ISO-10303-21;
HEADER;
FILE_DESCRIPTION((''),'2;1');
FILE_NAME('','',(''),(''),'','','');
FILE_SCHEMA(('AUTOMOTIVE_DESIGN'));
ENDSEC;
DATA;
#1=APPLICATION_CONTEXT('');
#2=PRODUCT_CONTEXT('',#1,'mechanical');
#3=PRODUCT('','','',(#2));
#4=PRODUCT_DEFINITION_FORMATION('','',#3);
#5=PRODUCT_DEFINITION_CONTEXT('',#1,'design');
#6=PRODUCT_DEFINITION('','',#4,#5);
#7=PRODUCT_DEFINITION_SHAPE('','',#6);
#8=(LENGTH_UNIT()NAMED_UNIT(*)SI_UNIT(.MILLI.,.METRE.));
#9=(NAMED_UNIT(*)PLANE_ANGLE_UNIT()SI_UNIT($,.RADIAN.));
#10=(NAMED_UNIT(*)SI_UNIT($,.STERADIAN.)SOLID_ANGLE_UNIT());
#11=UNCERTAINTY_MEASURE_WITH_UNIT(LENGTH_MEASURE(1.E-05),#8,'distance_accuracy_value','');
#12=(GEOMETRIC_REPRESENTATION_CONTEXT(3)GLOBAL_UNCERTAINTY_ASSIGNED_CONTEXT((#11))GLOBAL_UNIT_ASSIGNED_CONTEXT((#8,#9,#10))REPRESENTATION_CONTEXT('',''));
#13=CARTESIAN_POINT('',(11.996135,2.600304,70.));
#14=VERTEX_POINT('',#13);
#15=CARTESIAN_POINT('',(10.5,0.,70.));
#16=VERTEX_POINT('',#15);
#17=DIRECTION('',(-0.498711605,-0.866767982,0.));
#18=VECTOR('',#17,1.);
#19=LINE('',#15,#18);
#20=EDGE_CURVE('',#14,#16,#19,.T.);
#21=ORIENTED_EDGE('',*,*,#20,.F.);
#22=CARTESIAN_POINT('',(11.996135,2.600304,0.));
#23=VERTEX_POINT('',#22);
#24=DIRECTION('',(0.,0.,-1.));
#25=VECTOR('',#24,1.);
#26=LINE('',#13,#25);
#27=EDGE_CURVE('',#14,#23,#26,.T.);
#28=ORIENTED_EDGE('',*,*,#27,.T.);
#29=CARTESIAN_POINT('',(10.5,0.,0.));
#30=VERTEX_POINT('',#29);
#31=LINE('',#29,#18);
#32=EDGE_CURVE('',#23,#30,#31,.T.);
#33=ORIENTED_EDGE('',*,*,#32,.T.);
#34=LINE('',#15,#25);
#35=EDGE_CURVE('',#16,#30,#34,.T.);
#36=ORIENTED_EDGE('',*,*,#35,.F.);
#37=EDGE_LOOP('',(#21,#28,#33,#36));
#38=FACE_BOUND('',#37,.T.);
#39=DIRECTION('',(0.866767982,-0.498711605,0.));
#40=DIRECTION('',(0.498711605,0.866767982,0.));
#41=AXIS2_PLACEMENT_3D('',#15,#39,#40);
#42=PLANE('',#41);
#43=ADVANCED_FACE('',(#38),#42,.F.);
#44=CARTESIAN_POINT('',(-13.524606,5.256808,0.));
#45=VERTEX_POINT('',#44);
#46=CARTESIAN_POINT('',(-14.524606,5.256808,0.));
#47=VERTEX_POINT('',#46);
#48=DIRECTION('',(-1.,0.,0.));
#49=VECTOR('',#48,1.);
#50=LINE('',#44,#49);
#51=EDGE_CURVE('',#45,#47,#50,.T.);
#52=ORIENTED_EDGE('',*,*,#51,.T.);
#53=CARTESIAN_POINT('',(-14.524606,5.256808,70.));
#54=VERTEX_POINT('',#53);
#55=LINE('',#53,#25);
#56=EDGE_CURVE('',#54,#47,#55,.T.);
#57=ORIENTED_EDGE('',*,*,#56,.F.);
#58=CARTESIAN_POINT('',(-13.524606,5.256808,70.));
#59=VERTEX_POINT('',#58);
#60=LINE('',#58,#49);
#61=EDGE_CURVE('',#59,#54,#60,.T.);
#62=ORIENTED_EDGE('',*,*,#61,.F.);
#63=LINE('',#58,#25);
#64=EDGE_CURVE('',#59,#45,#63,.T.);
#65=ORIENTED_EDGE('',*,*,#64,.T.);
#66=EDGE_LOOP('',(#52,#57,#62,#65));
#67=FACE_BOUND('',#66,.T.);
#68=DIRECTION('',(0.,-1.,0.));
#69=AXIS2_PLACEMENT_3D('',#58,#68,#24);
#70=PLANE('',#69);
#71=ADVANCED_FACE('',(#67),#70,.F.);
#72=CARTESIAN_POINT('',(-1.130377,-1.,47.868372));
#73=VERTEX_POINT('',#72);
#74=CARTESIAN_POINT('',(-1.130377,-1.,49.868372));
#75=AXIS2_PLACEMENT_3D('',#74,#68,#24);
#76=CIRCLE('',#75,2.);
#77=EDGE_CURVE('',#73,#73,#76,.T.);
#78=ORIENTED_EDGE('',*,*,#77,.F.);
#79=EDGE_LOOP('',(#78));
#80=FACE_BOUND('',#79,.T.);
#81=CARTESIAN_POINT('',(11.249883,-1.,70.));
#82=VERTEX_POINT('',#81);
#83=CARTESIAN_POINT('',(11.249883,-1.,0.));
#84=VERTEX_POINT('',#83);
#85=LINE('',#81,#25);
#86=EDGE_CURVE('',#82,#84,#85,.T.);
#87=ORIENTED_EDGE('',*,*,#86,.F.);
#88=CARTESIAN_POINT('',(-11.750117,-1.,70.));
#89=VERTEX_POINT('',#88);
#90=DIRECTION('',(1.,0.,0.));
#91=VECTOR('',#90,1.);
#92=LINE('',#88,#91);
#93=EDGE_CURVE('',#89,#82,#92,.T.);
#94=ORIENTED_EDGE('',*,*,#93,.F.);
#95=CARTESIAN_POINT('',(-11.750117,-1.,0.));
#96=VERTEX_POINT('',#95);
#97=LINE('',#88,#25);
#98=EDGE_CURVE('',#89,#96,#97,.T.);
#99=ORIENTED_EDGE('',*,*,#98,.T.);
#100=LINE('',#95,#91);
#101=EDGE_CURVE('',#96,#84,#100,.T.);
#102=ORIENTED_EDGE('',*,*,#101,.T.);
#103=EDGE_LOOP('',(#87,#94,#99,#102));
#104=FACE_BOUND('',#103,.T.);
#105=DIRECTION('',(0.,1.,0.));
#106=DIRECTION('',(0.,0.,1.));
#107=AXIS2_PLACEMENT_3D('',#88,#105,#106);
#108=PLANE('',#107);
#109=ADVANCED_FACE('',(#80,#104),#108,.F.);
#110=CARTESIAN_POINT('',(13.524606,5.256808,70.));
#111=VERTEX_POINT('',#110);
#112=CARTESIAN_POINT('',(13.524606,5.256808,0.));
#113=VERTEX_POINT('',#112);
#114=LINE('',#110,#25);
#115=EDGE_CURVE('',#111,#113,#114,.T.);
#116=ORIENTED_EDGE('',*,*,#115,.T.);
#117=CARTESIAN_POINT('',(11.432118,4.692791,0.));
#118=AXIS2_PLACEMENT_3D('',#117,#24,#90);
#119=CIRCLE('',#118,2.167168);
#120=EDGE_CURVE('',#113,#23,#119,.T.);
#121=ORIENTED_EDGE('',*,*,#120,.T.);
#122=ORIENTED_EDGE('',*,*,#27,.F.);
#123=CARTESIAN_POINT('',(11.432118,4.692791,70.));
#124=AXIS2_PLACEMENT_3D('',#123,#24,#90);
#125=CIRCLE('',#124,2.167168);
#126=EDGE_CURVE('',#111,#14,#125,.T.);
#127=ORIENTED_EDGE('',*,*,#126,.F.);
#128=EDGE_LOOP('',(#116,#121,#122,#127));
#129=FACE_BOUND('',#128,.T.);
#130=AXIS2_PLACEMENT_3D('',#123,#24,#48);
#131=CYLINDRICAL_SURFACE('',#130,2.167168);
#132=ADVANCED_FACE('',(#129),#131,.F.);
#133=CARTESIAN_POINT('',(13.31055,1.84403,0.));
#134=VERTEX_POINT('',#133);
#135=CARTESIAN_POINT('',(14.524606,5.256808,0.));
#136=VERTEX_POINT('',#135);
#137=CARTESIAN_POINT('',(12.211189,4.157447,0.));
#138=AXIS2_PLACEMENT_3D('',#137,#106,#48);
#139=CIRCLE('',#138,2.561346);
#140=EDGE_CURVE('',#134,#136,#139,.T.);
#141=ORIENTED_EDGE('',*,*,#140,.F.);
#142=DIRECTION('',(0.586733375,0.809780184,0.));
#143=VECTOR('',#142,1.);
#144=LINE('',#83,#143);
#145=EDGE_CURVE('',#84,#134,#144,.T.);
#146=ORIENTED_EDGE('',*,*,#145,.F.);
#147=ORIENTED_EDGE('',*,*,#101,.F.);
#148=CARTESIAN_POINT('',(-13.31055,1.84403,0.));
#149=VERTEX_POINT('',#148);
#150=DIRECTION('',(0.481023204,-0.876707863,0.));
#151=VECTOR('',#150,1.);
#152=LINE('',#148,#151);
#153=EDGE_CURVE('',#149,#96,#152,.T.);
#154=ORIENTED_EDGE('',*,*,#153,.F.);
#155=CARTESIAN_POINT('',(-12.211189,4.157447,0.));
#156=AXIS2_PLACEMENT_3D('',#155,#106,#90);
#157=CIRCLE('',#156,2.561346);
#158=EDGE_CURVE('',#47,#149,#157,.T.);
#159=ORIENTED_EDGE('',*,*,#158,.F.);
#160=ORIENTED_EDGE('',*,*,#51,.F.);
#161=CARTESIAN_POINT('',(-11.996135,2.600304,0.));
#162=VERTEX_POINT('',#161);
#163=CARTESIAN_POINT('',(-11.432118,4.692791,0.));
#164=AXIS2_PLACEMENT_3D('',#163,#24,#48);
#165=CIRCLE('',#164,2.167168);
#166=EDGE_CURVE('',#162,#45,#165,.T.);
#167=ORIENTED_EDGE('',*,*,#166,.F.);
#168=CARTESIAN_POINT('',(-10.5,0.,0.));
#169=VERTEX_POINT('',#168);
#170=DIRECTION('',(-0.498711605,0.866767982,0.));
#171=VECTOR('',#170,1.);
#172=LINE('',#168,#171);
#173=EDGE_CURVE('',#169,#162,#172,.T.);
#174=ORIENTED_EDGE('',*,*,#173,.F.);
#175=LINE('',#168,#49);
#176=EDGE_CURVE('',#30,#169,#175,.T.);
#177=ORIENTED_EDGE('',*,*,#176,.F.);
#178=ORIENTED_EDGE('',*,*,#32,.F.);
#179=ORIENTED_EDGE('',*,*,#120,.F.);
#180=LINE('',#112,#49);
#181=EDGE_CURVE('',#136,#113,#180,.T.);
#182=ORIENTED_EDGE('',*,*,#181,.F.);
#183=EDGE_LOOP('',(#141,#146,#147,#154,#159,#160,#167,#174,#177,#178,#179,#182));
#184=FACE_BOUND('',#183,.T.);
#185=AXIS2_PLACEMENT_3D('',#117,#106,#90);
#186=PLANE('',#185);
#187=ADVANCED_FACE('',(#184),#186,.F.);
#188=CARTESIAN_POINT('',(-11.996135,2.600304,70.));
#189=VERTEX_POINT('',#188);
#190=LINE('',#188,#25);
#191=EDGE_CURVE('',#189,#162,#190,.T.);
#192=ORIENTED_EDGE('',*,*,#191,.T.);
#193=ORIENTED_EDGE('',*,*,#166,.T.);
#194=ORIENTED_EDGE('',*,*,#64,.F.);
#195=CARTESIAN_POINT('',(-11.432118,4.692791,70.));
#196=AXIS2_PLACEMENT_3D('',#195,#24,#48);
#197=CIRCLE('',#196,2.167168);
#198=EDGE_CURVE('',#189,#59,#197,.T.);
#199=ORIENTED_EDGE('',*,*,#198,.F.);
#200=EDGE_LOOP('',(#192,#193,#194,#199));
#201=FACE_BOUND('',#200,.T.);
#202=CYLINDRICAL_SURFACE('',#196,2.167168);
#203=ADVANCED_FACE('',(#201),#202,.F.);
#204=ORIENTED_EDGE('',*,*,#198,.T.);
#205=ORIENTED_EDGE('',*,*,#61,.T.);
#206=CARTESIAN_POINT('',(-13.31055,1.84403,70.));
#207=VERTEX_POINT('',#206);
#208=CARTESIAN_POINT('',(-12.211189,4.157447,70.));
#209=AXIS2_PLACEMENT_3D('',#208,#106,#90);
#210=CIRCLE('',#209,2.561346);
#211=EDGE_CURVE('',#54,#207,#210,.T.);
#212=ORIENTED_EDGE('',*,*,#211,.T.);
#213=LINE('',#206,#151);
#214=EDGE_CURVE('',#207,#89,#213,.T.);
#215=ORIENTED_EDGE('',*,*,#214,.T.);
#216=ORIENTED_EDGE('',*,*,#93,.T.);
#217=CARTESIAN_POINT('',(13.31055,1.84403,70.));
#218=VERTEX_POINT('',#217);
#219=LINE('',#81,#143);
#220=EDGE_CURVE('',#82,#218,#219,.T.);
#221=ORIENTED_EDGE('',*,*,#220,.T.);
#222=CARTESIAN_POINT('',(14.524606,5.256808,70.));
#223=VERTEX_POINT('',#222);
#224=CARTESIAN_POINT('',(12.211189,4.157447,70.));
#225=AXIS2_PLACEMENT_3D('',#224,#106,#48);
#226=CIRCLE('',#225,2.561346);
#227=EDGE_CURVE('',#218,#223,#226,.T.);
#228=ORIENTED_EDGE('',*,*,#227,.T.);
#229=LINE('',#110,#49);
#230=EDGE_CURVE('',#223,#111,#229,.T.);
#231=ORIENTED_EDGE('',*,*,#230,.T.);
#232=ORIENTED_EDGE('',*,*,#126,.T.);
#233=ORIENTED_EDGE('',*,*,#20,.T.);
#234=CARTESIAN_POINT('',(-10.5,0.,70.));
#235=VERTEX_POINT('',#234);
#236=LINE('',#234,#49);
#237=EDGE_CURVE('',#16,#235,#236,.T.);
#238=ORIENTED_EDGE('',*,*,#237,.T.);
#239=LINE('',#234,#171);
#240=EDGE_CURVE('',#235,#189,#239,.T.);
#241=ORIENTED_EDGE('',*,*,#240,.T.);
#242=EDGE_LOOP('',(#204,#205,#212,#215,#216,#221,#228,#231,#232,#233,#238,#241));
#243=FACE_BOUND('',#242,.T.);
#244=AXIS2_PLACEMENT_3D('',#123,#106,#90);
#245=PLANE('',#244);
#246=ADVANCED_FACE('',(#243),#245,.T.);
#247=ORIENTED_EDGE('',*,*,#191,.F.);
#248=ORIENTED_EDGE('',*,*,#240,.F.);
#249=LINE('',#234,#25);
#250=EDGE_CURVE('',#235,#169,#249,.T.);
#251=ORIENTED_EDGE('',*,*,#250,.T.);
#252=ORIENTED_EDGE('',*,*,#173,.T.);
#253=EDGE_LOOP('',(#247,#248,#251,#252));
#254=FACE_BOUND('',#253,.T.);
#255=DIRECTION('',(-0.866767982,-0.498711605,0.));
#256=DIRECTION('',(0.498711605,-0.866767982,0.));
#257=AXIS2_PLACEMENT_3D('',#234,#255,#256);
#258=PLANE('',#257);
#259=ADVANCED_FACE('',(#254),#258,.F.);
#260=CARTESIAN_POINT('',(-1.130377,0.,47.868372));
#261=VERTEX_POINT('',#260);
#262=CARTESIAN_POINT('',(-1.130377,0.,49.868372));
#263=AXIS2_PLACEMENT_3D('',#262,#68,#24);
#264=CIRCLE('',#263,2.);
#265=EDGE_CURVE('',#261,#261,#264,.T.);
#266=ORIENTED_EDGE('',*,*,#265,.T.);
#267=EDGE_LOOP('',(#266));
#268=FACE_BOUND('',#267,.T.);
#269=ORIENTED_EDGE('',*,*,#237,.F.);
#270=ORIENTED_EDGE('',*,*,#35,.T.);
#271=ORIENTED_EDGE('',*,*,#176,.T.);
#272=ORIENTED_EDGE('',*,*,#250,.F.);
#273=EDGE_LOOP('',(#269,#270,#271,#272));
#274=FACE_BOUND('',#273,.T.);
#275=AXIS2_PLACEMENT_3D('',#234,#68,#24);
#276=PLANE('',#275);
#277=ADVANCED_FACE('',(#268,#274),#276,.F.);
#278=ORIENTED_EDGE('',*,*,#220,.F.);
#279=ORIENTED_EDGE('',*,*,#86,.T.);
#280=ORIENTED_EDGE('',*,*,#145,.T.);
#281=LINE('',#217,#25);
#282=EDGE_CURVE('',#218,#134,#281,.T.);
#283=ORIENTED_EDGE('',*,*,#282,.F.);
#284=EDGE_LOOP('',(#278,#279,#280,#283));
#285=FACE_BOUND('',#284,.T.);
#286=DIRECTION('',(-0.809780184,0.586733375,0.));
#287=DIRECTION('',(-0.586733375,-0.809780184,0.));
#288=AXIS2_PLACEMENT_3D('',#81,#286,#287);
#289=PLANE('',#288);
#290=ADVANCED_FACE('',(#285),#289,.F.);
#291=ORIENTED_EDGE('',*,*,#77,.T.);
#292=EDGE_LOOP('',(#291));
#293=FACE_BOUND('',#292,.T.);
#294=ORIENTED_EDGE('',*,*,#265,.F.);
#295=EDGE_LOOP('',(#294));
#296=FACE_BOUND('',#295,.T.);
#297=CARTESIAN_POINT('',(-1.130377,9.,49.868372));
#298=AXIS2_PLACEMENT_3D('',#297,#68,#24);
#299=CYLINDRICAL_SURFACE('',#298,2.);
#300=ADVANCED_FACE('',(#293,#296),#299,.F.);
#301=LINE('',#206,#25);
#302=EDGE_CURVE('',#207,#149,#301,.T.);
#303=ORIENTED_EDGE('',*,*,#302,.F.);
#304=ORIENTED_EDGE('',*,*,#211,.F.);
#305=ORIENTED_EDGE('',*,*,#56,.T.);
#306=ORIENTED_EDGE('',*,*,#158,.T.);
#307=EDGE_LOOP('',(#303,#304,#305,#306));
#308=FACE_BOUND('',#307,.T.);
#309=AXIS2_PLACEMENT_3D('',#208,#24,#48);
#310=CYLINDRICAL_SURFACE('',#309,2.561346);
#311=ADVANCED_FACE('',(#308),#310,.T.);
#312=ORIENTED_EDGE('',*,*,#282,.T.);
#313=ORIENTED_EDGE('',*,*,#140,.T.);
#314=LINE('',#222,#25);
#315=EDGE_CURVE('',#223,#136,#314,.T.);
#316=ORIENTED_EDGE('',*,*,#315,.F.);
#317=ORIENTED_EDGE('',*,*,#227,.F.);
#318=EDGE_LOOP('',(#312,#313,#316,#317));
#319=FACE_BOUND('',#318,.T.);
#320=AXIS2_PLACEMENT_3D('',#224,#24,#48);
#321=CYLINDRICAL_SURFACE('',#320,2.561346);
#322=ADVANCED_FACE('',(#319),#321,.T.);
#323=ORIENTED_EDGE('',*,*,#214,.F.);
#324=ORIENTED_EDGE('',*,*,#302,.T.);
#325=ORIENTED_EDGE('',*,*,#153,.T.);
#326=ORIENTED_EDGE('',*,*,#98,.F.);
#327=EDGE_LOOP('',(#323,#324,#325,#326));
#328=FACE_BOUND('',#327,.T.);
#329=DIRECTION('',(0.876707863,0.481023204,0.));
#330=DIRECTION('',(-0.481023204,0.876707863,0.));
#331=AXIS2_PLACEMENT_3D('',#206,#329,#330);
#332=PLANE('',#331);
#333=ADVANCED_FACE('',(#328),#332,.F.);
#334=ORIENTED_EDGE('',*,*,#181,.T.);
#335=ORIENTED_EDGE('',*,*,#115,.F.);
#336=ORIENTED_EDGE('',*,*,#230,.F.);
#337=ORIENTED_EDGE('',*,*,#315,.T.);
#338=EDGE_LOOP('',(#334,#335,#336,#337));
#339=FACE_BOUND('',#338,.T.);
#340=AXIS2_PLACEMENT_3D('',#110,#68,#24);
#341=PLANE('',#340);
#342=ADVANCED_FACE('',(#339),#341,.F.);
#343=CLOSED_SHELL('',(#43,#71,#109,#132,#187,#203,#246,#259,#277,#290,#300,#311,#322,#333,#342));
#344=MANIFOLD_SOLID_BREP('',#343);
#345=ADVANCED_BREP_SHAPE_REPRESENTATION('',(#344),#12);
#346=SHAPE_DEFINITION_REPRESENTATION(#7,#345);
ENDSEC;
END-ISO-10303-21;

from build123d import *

# Parameters (mm, degrees)
BOSS_EXTRU_1_DEPTH = 70
SKETCH1_R          = 2
CUT_EXTRUDE1_DEPTH = 10


with BuildPart() as part:
    # Esquisse1 → Boss.-Extru.1 (new body)
    with BuildSketch(Plane.XY):
        with BuildLine():
            Line((-10.5, 0), (10.5, 0))
            Line((10.5, 0), (11.996134815, 2.600303947))
            ThreePointArc((11.996134815, 2.600303947), (13.310550199, 3.611999394), (13.524605519, 5.256808137))
            Line((13.524605519, 5.256808137), (14.524605519, 5.256808137))
            ThreePointArc((14.524605519, 5.256808137), (14.624387393, 3.298979885), (13.310550199, 1.844029812))
            Line((13.310550199, 1.844029812), (11.249883314, -1))
            Line((11.249883314, -1), (-11.750116686, -1))
            Line((-11.750116686, -1), (-13.310550199, 1.844029812))
            ThreePointArc((-13.310550199, 1.844029812), (-14.624387393, 3.298979885), (-14.524605519, 5.256808137))
            Line((-14.524605519, 5.256808137), (-13.524605519, 5.256808137))
            ThreePointArc((-13.524605519, 5.256808137), (-13.310550199, 3.611999394), (-11.996134815, 2.600303947))
            Line((-11.996134815, 2.600303947), (-10.5, 0))
        make_face()
    extrude(amount=BOSS_EXTRU_1_DEPTH)

    # Sketch1 → Cut-Extrude1 (cut)
    with BuildSketch(Plane.XZ.offset(1)):
        with Locations(Location((-1.130377356, 49.868372079, 0), (0, 0, 270))):
            Circle(SKETCH1_R)
    extrude(amount=-CUT_EXTRUDE1_DEPTH, mode=Mode.SUBTRACT)


solid = part.part
